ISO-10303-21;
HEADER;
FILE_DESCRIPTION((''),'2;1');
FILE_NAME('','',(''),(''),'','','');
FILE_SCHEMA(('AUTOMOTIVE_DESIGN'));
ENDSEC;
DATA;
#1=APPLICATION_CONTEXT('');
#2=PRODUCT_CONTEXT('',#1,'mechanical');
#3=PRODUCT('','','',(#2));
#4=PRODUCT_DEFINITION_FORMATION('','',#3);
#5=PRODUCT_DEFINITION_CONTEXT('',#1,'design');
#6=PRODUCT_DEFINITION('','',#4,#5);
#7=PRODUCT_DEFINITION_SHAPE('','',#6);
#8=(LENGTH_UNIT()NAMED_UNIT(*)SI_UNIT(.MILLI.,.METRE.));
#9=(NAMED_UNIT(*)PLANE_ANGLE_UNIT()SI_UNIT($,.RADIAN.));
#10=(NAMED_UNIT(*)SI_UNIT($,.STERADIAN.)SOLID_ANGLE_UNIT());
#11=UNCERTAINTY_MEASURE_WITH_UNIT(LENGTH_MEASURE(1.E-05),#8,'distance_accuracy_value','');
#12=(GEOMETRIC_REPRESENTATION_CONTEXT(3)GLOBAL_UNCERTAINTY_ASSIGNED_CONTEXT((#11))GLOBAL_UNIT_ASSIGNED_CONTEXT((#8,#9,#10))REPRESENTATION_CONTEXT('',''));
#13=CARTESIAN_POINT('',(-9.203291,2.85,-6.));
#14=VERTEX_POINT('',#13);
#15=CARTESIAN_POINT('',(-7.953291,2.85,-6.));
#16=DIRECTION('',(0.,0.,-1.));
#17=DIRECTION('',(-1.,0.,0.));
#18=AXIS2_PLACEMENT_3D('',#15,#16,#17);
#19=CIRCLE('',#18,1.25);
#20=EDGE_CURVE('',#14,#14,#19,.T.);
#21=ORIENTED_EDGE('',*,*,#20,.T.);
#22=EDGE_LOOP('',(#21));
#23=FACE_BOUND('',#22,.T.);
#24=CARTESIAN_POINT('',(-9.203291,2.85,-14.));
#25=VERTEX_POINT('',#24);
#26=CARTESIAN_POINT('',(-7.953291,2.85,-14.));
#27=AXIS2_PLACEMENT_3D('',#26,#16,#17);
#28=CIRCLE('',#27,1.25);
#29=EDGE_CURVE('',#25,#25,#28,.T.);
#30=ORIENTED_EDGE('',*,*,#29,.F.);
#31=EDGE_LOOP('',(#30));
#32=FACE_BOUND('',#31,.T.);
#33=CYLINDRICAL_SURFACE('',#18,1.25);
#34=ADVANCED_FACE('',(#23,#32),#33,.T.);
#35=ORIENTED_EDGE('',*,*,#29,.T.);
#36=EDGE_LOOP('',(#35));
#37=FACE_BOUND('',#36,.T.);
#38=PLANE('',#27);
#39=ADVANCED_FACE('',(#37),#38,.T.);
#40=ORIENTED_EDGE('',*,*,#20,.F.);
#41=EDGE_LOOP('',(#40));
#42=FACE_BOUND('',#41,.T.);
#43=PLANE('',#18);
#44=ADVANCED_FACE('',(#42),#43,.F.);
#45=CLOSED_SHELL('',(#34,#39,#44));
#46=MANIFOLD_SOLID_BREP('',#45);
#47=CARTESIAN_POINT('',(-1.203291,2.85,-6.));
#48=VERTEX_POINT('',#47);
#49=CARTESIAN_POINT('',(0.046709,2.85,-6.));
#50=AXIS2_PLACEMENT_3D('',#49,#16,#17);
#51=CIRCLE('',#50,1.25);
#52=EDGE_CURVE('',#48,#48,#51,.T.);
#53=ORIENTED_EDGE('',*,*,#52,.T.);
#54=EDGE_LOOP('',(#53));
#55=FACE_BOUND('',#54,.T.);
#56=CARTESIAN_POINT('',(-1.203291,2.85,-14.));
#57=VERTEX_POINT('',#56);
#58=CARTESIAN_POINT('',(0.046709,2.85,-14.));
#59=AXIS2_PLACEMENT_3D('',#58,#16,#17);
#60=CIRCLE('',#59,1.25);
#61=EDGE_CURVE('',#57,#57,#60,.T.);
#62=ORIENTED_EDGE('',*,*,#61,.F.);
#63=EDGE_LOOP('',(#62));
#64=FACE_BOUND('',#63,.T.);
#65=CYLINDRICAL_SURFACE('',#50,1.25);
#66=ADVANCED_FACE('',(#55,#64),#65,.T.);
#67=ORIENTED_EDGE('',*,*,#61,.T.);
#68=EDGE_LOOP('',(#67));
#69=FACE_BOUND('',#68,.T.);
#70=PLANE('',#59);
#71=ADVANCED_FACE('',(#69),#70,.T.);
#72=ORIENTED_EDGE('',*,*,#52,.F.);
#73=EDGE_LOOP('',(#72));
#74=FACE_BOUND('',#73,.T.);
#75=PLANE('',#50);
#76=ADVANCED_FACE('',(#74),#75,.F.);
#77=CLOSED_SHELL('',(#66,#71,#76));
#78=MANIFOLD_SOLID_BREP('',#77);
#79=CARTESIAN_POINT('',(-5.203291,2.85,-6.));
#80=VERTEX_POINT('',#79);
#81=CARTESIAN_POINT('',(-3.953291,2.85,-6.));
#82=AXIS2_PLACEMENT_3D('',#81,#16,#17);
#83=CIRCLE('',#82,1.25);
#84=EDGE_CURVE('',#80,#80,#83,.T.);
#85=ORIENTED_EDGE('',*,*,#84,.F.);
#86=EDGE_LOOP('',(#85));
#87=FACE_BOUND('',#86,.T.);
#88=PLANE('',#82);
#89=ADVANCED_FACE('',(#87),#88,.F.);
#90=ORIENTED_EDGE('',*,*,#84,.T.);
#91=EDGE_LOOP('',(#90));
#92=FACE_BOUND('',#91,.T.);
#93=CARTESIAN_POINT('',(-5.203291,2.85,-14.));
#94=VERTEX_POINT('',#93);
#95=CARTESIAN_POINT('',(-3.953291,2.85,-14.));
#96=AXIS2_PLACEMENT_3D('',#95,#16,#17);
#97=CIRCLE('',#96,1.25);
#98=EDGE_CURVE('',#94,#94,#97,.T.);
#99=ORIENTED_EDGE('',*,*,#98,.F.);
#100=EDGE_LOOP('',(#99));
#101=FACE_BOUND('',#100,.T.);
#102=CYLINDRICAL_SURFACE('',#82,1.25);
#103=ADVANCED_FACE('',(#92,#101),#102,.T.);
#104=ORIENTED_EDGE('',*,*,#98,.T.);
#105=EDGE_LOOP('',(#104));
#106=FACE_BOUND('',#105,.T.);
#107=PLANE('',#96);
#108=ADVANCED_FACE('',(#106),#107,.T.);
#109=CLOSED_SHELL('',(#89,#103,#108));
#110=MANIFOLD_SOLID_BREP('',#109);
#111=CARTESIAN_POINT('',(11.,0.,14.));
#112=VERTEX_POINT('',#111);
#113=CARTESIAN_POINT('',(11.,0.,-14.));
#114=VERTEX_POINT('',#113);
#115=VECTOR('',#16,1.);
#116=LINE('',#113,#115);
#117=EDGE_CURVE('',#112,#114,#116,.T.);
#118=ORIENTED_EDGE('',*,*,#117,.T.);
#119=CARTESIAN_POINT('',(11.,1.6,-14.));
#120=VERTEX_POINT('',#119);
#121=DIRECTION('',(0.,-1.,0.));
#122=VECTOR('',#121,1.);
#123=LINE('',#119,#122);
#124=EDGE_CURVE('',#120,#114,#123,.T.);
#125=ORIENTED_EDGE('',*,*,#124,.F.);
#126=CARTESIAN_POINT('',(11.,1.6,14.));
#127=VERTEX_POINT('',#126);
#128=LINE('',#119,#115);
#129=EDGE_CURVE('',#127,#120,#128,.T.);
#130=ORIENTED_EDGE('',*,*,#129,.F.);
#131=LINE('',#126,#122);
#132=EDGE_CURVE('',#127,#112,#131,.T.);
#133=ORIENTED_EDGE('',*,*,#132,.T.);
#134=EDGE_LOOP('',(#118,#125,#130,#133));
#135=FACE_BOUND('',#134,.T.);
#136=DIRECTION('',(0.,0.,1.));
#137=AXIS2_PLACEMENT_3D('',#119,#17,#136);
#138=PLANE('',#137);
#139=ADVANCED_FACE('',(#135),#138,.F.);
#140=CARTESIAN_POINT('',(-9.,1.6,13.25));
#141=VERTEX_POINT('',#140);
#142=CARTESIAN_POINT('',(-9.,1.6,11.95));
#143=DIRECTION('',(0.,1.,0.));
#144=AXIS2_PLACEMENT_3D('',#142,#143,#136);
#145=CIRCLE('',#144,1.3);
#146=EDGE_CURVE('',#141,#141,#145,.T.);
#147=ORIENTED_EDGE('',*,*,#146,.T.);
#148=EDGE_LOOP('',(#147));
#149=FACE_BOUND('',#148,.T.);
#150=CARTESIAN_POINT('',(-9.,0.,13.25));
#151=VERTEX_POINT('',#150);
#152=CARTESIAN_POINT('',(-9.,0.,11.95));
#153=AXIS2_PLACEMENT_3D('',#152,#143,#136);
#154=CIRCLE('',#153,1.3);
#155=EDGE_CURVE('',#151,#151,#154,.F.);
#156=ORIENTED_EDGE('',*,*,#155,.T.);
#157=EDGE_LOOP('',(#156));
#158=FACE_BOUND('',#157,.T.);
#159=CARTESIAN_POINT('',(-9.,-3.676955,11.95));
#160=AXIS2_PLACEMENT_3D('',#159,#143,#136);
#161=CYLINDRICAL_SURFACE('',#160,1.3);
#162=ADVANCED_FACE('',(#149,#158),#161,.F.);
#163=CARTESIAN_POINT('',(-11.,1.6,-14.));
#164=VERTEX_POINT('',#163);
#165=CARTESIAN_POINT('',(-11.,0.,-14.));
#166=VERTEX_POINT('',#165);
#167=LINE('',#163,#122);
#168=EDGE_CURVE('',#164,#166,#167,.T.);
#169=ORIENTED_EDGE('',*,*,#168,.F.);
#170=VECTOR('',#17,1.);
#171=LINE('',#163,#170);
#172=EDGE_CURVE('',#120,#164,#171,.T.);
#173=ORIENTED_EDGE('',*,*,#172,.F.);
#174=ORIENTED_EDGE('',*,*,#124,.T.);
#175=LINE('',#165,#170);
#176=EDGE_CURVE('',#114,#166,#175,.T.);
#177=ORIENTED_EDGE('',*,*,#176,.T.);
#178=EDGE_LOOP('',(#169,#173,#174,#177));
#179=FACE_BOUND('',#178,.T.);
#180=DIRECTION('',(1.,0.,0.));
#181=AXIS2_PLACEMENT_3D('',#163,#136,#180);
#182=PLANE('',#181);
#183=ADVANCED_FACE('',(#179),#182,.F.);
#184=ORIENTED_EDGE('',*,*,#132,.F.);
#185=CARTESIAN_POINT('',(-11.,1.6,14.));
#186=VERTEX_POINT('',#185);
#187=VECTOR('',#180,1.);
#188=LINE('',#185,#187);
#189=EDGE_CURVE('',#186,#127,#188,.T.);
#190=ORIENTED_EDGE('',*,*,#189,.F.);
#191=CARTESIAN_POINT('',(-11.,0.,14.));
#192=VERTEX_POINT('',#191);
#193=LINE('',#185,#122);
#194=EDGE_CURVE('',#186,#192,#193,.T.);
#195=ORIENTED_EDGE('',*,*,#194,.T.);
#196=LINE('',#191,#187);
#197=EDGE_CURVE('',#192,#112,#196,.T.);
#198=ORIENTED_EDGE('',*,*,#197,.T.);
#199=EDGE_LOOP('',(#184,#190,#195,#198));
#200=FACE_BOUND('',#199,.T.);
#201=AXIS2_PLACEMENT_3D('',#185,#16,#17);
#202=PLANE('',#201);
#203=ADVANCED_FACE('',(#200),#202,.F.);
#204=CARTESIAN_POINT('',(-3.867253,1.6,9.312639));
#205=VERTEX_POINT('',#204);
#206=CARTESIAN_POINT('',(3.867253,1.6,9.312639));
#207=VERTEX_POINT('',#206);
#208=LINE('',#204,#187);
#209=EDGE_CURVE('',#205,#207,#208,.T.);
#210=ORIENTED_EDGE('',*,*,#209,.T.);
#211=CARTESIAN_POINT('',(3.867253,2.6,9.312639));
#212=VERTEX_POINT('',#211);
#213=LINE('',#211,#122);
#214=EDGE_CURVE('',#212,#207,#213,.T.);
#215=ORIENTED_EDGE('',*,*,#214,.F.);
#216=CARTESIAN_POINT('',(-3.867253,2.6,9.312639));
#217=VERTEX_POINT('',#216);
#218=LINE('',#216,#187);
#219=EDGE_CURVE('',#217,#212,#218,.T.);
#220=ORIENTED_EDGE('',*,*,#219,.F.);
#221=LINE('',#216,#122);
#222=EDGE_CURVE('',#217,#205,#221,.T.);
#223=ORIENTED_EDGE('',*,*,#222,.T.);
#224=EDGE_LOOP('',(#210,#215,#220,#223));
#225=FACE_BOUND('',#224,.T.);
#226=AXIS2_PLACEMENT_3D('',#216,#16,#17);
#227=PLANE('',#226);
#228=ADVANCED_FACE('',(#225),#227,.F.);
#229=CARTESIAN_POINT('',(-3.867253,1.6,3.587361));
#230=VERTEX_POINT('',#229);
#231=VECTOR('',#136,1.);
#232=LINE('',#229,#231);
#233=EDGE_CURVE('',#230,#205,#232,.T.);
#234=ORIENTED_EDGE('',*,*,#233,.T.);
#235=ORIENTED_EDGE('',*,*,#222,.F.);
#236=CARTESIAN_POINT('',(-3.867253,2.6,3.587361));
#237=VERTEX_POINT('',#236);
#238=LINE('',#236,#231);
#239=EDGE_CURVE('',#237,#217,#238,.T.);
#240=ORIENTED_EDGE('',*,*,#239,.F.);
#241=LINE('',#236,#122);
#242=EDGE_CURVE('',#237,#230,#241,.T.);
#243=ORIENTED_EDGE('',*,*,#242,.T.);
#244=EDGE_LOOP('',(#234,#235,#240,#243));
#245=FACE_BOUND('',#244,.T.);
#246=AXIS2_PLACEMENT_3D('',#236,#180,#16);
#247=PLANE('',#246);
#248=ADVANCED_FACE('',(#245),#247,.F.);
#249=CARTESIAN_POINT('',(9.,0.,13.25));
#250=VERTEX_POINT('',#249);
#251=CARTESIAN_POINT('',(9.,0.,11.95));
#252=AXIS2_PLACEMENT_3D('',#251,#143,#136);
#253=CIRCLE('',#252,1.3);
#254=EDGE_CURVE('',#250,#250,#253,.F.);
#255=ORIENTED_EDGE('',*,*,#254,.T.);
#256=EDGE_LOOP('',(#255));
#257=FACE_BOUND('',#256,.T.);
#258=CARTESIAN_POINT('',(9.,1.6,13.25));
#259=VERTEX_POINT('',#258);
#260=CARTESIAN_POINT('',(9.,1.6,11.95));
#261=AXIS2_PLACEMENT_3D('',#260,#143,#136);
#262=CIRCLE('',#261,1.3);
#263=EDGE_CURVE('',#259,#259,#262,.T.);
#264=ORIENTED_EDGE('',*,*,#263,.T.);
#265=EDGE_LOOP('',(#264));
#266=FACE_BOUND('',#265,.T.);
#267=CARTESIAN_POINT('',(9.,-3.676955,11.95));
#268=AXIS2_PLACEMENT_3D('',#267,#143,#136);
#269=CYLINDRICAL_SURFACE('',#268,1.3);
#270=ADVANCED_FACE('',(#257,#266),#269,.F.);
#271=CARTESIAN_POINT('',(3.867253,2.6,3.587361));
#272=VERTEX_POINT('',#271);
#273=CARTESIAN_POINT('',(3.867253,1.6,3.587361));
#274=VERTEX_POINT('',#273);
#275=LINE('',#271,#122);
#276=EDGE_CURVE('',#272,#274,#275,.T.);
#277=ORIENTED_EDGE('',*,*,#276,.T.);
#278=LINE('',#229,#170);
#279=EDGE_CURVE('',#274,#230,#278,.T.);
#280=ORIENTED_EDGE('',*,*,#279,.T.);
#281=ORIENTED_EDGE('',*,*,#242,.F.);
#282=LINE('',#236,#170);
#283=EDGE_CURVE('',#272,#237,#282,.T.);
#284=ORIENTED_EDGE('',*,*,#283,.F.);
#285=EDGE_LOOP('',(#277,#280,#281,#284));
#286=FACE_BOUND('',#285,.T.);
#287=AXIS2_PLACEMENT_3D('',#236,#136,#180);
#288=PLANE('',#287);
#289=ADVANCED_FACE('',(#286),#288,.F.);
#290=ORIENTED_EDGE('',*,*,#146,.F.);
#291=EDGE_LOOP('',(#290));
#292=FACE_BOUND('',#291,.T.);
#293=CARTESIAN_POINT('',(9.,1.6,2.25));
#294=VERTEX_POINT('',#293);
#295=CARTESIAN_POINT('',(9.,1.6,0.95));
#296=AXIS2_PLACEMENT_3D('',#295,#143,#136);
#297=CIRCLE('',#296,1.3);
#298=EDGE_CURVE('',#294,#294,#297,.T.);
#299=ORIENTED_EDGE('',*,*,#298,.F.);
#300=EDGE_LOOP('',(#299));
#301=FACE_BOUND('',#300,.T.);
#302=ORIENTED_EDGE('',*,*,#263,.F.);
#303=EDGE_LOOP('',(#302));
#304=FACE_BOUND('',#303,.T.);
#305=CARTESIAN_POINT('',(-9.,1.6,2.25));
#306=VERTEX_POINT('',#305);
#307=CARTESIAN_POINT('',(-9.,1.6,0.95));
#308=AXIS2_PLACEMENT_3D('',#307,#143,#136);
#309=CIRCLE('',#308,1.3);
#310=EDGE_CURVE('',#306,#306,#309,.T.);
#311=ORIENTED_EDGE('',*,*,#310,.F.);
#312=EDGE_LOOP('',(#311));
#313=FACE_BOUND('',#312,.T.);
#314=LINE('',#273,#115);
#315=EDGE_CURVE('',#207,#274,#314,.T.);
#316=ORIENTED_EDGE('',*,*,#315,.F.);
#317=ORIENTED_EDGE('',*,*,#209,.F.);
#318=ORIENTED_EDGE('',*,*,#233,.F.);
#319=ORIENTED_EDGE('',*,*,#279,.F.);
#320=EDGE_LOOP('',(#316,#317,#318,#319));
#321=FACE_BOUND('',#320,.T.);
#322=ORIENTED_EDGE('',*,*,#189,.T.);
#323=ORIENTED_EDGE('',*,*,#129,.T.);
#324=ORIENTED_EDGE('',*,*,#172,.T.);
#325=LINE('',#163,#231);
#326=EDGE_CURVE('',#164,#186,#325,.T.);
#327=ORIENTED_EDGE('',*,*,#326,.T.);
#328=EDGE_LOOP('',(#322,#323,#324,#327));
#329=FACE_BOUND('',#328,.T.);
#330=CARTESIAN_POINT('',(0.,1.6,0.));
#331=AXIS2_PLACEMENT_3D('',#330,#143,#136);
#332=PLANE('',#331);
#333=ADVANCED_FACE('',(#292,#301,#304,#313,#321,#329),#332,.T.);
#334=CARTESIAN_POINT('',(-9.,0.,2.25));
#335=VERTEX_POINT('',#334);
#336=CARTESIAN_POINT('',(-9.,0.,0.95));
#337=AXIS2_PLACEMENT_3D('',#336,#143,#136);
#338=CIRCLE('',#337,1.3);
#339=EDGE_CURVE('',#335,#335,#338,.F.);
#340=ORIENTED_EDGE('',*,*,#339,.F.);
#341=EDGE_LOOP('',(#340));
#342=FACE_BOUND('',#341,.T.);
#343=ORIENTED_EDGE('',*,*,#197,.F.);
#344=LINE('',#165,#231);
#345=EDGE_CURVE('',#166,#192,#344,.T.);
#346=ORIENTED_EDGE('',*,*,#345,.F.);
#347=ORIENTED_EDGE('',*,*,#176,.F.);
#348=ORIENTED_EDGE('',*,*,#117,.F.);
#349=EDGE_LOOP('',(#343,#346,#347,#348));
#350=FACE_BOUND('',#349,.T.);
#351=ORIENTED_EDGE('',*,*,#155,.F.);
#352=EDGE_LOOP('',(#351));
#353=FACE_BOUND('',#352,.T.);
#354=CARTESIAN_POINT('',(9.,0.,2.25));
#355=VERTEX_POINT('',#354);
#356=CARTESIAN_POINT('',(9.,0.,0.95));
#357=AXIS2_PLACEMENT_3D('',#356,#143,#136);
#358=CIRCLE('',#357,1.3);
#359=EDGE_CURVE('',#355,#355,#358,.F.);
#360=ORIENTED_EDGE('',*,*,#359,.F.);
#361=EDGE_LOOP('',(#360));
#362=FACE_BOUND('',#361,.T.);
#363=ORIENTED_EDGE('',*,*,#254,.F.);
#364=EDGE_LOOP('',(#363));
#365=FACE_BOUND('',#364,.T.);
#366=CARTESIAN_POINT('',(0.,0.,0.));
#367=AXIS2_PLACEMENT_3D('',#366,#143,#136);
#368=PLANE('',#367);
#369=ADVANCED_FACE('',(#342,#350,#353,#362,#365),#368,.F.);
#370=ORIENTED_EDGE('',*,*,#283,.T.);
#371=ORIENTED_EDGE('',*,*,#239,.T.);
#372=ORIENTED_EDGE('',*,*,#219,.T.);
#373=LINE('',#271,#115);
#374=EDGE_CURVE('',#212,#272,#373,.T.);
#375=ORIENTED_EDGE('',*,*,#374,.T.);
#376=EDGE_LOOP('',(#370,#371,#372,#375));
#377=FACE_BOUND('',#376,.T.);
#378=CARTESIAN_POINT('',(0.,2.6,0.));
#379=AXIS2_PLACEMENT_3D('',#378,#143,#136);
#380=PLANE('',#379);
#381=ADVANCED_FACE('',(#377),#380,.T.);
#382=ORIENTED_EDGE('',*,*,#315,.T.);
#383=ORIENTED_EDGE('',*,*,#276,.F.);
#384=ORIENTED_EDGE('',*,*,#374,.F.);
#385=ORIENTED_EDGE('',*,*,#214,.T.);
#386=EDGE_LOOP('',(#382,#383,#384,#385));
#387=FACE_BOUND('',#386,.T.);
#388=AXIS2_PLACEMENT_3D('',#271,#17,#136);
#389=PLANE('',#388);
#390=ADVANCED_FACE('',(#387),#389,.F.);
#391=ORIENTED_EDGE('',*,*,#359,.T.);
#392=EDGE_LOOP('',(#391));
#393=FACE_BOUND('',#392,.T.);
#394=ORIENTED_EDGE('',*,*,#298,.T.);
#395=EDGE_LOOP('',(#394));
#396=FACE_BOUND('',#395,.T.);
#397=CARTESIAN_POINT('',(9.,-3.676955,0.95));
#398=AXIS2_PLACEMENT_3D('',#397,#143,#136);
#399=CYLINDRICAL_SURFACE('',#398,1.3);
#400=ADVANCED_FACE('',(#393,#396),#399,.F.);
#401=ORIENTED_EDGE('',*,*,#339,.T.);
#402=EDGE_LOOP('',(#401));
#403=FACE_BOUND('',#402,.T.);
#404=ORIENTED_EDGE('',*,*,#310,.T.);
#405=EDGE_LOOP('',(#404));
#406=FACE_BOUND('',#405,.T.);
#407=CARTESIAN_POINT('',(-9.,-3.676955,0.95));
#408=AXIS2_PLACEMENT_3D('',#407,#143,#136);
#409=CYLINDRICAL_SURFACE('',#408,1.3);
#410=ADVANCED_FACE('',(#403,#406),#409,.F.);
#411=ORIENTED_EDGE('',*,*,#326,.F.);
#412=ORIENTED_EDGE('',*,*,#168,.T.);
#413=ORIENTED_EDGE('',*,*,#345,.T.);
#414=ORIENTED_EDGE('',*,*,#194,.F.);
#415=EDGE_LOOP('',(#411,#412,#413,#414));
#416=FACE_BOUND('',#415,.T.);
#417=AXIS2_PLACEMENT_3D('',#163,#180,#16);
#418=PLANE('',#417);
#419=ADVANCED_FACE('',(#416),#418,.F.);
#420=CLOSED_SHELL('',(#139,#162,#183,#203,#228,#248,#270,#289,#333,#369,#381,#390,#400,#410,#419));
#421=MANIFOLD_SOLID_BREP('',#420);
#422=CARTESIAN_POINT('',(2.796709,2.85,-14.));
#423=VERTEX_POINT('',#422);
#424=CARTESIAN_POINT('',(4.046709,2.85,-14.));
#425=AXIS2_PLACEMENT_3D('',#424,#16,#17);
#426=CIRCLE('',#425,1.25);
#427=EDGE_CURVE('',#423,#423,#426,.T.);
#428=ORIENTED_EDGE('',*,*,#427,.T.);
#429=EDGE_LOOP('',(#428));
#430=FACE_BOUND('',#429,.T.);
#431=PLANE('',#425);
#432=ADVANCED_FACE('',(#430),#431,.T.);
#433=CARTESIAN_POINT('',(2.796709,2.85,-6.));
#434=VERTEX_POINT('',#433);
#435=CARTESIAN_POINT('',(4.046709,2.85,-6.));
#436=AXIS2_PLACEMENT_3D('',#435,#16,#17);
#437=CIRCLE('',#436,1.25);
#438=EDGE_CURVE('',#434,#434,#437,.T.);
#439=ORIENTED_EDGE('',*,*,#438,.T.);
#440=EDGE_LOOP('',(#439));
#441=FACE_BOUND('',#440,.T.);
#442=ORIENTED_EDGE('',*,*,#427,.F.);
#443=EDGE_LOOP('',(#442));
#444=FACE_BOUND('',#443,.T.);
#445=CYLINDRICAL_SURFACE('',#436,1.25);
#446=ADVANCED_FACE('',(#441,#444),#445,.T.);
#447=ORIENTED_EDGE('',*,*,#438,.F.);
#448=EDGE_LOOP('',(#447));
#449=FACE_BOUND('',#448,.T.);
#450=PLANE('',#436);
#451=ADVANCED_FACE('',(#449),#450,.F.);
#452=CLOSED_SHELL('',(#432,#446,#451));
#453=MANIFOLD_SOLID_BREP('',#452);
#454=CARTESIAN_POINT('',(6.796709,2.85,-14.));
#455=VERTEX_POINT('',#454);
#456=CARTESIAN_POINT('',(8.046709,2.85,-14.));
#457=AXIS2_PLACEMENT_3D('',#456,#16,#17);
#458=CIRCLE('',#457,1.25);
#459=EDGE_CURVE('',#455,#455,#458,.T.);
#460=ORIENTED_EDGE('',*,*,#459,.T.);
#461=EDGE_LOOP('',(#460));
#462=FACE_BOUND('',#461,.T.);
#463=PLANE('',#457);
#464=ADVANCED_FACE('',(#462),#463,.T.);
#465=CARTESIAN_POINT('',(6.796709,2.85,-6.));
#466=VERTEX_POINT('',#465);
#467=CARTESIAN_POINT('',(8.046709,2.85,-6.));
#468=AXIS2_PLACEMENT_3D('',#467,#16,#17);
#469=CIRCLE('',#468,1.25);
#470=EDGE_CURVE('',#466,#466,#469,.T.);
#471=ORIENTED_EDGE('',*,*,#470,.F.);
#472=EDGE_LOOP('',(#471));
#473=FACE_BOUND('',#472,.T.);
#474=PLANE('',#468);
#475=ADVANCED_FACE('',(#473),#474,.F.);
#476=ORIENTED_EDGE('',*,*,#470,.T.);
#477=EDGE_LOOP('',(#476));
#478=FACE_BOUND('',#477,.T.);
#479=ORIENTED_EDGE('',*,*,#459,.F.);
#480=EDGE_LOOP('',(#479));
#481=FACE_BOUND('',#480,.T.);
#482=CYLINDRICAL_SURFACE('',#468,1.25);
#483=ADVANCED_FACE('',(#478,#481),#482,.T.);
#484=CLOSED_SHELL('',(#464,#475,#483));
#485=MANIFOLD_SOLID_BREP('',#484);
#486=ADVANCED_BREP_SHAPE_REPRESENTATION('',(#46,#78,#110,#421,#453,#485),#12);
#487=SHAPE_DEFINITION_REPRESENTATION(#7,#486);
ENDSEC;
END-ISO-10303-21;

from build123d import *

# Parameters (mm, degrees)
SKETCH1_W             = 22
SKETCH1_H             = 28
BOSS_EXTRUDE1_DEPTH   = 1.6
SKETCH3_R             = 1.3
CUT_EXTRUDE1_DEPTH    = 1.6
SKETCH4_W             = 7.734506334
SKETCH4_H             = 5.725277538
BOSS_EXTRUDE2_DEPTH   = 1
SKETCH6_R             = 1.25
BOSS_EXTRUDE3_DEPTH   = 8
BOSS_EXTRUDE3_2_DEPTH = 8
BOSS_EXTRUDE3_3_DEPTH = 8
BOSS_EXTRUDE3_4_DEPTH = 8
BOSS_EXTRUDE3_5_DEPTH = 8


with BuildPart() as part:
    # Sketch1 → Boss-Extrude1 (new body)
    with BuildSketch(Plane(origin=(0, 0, 0), x_dir=(1, 0, 0), z_dir=(0, 1, 0))):
        Rectangle(SKETCH1_W, SKETCH1_H)
    extrude(amount=BOSS_EXTRUDE1_DEPTH)

    # Sketch3 → Cut-Extrude1 (cut)
    with BuildSketch(Plane(origin=(0, 1.6, 0), x_dir=(1, 0, 0), z_dir=(0, 1, 0))):
        with Locations(Location((9, -11.95, 0), (0, 0, 270))):
            Circle(SKETCH3_R)
        with Locations(Location((9, -0.95, 0), (0, 0, 270))):
            Circle(SKETCH3_R)
        with Locations(Location((-9, -0.95, 0), (0, 0, 270))):
            Circle(SKETCH3_R)
        with Locations(Location((-9, -11.95, 0), (0, 0, 270))):
            Circle(SKETCH3_R)
    extrude(amount=-CUT_EXTRUDE1_DEPTH, mode=Mode.SUBTRACT)

    # Sketch4 → Boss-Extrude2 (add)
    with BuildSketch(Plane(origin=(0, 1.6, 0), x_dir=(1, 0, 0), z_dir=(0, 1, 0))):
        with Locations((0, -6.45)):
            Rectangle(SKETCH4_W, SKETCH4_H)
    extrude(amount=BOSS_EXTRUDE2_DEPTH)


with BuildPart() as body_2:
    # Sketch6 → Boss-Extrude3 (new body)
    with BuildSketch(Plane(origin=(0, 0, -14), x_dir=(-1, 0, 0), z_dir=(0, 0, -1))):
        with Locations((7.953290508, 2.85)):
            Circle(SKETCH6_R)
    extrude(amount=-BOSS_EXTRUDE3_DEPTH)


with BuildPart() as body_3:
    # Sketch6 → Boss-Extrude3 2 (new body)
    with BuildSketch(Plane(origin=(0, 0, -14), x_dir=(-1, 0, 0), z_dir=(0, 0, -1))):
        with Locations((3.953290508, 2.85)):
            Circle(SKETCH6_R)
    extrude(amount=-BOSS_EXTRUDE3_2_DEPTH)


with BuildPart() as body_4:
    # Sketch6 → Boss-Extrude3 3 (new body)
    with BuildSketch(Plane(origin=(0, 0, -14), x_dir=(-1, 0, 0), z_dir=(0, 0, -1))):
        with Locations((-0.046709492, 2.85)):
            Circle(SKETCH6_R)
    extrude(amount=-BOSS_EXTRUDE3_3_DEPTH)


with BuildPart() as body_5:
    # Sketch6 → Boss-Extrude3 4 (new body)
    with BuildSketch(Plane(origin=(0, 0, -14), x_dir=(-1, 0, 0), z_dir=(0, 0, -1))):
        with Locations((-4.046709492, 2.85)):
            Circle(SKETCH6_R)
    extrude(amount=-BOSS_EXTRUDE3_4_DEPTH)


with BuildPart() as body_6:
    # Sketch6 → Boss-Extrude3 5 (new body)
    with BuildSketch(Plane(origin=(0, 0, -14), x_dir=(-1, 0, 0), z_dir=(0, 0, -1))):
        with Locations((-8.046709492, 2.85)):
            Circle(SKETCH6_R)
    extrude(amount=-BOSS_EXTRUDE3_5_DEPTH)


solid = Compound([part.part, body_2.part, body_3.part, body_4.part, body_5.part, body_6.part])
